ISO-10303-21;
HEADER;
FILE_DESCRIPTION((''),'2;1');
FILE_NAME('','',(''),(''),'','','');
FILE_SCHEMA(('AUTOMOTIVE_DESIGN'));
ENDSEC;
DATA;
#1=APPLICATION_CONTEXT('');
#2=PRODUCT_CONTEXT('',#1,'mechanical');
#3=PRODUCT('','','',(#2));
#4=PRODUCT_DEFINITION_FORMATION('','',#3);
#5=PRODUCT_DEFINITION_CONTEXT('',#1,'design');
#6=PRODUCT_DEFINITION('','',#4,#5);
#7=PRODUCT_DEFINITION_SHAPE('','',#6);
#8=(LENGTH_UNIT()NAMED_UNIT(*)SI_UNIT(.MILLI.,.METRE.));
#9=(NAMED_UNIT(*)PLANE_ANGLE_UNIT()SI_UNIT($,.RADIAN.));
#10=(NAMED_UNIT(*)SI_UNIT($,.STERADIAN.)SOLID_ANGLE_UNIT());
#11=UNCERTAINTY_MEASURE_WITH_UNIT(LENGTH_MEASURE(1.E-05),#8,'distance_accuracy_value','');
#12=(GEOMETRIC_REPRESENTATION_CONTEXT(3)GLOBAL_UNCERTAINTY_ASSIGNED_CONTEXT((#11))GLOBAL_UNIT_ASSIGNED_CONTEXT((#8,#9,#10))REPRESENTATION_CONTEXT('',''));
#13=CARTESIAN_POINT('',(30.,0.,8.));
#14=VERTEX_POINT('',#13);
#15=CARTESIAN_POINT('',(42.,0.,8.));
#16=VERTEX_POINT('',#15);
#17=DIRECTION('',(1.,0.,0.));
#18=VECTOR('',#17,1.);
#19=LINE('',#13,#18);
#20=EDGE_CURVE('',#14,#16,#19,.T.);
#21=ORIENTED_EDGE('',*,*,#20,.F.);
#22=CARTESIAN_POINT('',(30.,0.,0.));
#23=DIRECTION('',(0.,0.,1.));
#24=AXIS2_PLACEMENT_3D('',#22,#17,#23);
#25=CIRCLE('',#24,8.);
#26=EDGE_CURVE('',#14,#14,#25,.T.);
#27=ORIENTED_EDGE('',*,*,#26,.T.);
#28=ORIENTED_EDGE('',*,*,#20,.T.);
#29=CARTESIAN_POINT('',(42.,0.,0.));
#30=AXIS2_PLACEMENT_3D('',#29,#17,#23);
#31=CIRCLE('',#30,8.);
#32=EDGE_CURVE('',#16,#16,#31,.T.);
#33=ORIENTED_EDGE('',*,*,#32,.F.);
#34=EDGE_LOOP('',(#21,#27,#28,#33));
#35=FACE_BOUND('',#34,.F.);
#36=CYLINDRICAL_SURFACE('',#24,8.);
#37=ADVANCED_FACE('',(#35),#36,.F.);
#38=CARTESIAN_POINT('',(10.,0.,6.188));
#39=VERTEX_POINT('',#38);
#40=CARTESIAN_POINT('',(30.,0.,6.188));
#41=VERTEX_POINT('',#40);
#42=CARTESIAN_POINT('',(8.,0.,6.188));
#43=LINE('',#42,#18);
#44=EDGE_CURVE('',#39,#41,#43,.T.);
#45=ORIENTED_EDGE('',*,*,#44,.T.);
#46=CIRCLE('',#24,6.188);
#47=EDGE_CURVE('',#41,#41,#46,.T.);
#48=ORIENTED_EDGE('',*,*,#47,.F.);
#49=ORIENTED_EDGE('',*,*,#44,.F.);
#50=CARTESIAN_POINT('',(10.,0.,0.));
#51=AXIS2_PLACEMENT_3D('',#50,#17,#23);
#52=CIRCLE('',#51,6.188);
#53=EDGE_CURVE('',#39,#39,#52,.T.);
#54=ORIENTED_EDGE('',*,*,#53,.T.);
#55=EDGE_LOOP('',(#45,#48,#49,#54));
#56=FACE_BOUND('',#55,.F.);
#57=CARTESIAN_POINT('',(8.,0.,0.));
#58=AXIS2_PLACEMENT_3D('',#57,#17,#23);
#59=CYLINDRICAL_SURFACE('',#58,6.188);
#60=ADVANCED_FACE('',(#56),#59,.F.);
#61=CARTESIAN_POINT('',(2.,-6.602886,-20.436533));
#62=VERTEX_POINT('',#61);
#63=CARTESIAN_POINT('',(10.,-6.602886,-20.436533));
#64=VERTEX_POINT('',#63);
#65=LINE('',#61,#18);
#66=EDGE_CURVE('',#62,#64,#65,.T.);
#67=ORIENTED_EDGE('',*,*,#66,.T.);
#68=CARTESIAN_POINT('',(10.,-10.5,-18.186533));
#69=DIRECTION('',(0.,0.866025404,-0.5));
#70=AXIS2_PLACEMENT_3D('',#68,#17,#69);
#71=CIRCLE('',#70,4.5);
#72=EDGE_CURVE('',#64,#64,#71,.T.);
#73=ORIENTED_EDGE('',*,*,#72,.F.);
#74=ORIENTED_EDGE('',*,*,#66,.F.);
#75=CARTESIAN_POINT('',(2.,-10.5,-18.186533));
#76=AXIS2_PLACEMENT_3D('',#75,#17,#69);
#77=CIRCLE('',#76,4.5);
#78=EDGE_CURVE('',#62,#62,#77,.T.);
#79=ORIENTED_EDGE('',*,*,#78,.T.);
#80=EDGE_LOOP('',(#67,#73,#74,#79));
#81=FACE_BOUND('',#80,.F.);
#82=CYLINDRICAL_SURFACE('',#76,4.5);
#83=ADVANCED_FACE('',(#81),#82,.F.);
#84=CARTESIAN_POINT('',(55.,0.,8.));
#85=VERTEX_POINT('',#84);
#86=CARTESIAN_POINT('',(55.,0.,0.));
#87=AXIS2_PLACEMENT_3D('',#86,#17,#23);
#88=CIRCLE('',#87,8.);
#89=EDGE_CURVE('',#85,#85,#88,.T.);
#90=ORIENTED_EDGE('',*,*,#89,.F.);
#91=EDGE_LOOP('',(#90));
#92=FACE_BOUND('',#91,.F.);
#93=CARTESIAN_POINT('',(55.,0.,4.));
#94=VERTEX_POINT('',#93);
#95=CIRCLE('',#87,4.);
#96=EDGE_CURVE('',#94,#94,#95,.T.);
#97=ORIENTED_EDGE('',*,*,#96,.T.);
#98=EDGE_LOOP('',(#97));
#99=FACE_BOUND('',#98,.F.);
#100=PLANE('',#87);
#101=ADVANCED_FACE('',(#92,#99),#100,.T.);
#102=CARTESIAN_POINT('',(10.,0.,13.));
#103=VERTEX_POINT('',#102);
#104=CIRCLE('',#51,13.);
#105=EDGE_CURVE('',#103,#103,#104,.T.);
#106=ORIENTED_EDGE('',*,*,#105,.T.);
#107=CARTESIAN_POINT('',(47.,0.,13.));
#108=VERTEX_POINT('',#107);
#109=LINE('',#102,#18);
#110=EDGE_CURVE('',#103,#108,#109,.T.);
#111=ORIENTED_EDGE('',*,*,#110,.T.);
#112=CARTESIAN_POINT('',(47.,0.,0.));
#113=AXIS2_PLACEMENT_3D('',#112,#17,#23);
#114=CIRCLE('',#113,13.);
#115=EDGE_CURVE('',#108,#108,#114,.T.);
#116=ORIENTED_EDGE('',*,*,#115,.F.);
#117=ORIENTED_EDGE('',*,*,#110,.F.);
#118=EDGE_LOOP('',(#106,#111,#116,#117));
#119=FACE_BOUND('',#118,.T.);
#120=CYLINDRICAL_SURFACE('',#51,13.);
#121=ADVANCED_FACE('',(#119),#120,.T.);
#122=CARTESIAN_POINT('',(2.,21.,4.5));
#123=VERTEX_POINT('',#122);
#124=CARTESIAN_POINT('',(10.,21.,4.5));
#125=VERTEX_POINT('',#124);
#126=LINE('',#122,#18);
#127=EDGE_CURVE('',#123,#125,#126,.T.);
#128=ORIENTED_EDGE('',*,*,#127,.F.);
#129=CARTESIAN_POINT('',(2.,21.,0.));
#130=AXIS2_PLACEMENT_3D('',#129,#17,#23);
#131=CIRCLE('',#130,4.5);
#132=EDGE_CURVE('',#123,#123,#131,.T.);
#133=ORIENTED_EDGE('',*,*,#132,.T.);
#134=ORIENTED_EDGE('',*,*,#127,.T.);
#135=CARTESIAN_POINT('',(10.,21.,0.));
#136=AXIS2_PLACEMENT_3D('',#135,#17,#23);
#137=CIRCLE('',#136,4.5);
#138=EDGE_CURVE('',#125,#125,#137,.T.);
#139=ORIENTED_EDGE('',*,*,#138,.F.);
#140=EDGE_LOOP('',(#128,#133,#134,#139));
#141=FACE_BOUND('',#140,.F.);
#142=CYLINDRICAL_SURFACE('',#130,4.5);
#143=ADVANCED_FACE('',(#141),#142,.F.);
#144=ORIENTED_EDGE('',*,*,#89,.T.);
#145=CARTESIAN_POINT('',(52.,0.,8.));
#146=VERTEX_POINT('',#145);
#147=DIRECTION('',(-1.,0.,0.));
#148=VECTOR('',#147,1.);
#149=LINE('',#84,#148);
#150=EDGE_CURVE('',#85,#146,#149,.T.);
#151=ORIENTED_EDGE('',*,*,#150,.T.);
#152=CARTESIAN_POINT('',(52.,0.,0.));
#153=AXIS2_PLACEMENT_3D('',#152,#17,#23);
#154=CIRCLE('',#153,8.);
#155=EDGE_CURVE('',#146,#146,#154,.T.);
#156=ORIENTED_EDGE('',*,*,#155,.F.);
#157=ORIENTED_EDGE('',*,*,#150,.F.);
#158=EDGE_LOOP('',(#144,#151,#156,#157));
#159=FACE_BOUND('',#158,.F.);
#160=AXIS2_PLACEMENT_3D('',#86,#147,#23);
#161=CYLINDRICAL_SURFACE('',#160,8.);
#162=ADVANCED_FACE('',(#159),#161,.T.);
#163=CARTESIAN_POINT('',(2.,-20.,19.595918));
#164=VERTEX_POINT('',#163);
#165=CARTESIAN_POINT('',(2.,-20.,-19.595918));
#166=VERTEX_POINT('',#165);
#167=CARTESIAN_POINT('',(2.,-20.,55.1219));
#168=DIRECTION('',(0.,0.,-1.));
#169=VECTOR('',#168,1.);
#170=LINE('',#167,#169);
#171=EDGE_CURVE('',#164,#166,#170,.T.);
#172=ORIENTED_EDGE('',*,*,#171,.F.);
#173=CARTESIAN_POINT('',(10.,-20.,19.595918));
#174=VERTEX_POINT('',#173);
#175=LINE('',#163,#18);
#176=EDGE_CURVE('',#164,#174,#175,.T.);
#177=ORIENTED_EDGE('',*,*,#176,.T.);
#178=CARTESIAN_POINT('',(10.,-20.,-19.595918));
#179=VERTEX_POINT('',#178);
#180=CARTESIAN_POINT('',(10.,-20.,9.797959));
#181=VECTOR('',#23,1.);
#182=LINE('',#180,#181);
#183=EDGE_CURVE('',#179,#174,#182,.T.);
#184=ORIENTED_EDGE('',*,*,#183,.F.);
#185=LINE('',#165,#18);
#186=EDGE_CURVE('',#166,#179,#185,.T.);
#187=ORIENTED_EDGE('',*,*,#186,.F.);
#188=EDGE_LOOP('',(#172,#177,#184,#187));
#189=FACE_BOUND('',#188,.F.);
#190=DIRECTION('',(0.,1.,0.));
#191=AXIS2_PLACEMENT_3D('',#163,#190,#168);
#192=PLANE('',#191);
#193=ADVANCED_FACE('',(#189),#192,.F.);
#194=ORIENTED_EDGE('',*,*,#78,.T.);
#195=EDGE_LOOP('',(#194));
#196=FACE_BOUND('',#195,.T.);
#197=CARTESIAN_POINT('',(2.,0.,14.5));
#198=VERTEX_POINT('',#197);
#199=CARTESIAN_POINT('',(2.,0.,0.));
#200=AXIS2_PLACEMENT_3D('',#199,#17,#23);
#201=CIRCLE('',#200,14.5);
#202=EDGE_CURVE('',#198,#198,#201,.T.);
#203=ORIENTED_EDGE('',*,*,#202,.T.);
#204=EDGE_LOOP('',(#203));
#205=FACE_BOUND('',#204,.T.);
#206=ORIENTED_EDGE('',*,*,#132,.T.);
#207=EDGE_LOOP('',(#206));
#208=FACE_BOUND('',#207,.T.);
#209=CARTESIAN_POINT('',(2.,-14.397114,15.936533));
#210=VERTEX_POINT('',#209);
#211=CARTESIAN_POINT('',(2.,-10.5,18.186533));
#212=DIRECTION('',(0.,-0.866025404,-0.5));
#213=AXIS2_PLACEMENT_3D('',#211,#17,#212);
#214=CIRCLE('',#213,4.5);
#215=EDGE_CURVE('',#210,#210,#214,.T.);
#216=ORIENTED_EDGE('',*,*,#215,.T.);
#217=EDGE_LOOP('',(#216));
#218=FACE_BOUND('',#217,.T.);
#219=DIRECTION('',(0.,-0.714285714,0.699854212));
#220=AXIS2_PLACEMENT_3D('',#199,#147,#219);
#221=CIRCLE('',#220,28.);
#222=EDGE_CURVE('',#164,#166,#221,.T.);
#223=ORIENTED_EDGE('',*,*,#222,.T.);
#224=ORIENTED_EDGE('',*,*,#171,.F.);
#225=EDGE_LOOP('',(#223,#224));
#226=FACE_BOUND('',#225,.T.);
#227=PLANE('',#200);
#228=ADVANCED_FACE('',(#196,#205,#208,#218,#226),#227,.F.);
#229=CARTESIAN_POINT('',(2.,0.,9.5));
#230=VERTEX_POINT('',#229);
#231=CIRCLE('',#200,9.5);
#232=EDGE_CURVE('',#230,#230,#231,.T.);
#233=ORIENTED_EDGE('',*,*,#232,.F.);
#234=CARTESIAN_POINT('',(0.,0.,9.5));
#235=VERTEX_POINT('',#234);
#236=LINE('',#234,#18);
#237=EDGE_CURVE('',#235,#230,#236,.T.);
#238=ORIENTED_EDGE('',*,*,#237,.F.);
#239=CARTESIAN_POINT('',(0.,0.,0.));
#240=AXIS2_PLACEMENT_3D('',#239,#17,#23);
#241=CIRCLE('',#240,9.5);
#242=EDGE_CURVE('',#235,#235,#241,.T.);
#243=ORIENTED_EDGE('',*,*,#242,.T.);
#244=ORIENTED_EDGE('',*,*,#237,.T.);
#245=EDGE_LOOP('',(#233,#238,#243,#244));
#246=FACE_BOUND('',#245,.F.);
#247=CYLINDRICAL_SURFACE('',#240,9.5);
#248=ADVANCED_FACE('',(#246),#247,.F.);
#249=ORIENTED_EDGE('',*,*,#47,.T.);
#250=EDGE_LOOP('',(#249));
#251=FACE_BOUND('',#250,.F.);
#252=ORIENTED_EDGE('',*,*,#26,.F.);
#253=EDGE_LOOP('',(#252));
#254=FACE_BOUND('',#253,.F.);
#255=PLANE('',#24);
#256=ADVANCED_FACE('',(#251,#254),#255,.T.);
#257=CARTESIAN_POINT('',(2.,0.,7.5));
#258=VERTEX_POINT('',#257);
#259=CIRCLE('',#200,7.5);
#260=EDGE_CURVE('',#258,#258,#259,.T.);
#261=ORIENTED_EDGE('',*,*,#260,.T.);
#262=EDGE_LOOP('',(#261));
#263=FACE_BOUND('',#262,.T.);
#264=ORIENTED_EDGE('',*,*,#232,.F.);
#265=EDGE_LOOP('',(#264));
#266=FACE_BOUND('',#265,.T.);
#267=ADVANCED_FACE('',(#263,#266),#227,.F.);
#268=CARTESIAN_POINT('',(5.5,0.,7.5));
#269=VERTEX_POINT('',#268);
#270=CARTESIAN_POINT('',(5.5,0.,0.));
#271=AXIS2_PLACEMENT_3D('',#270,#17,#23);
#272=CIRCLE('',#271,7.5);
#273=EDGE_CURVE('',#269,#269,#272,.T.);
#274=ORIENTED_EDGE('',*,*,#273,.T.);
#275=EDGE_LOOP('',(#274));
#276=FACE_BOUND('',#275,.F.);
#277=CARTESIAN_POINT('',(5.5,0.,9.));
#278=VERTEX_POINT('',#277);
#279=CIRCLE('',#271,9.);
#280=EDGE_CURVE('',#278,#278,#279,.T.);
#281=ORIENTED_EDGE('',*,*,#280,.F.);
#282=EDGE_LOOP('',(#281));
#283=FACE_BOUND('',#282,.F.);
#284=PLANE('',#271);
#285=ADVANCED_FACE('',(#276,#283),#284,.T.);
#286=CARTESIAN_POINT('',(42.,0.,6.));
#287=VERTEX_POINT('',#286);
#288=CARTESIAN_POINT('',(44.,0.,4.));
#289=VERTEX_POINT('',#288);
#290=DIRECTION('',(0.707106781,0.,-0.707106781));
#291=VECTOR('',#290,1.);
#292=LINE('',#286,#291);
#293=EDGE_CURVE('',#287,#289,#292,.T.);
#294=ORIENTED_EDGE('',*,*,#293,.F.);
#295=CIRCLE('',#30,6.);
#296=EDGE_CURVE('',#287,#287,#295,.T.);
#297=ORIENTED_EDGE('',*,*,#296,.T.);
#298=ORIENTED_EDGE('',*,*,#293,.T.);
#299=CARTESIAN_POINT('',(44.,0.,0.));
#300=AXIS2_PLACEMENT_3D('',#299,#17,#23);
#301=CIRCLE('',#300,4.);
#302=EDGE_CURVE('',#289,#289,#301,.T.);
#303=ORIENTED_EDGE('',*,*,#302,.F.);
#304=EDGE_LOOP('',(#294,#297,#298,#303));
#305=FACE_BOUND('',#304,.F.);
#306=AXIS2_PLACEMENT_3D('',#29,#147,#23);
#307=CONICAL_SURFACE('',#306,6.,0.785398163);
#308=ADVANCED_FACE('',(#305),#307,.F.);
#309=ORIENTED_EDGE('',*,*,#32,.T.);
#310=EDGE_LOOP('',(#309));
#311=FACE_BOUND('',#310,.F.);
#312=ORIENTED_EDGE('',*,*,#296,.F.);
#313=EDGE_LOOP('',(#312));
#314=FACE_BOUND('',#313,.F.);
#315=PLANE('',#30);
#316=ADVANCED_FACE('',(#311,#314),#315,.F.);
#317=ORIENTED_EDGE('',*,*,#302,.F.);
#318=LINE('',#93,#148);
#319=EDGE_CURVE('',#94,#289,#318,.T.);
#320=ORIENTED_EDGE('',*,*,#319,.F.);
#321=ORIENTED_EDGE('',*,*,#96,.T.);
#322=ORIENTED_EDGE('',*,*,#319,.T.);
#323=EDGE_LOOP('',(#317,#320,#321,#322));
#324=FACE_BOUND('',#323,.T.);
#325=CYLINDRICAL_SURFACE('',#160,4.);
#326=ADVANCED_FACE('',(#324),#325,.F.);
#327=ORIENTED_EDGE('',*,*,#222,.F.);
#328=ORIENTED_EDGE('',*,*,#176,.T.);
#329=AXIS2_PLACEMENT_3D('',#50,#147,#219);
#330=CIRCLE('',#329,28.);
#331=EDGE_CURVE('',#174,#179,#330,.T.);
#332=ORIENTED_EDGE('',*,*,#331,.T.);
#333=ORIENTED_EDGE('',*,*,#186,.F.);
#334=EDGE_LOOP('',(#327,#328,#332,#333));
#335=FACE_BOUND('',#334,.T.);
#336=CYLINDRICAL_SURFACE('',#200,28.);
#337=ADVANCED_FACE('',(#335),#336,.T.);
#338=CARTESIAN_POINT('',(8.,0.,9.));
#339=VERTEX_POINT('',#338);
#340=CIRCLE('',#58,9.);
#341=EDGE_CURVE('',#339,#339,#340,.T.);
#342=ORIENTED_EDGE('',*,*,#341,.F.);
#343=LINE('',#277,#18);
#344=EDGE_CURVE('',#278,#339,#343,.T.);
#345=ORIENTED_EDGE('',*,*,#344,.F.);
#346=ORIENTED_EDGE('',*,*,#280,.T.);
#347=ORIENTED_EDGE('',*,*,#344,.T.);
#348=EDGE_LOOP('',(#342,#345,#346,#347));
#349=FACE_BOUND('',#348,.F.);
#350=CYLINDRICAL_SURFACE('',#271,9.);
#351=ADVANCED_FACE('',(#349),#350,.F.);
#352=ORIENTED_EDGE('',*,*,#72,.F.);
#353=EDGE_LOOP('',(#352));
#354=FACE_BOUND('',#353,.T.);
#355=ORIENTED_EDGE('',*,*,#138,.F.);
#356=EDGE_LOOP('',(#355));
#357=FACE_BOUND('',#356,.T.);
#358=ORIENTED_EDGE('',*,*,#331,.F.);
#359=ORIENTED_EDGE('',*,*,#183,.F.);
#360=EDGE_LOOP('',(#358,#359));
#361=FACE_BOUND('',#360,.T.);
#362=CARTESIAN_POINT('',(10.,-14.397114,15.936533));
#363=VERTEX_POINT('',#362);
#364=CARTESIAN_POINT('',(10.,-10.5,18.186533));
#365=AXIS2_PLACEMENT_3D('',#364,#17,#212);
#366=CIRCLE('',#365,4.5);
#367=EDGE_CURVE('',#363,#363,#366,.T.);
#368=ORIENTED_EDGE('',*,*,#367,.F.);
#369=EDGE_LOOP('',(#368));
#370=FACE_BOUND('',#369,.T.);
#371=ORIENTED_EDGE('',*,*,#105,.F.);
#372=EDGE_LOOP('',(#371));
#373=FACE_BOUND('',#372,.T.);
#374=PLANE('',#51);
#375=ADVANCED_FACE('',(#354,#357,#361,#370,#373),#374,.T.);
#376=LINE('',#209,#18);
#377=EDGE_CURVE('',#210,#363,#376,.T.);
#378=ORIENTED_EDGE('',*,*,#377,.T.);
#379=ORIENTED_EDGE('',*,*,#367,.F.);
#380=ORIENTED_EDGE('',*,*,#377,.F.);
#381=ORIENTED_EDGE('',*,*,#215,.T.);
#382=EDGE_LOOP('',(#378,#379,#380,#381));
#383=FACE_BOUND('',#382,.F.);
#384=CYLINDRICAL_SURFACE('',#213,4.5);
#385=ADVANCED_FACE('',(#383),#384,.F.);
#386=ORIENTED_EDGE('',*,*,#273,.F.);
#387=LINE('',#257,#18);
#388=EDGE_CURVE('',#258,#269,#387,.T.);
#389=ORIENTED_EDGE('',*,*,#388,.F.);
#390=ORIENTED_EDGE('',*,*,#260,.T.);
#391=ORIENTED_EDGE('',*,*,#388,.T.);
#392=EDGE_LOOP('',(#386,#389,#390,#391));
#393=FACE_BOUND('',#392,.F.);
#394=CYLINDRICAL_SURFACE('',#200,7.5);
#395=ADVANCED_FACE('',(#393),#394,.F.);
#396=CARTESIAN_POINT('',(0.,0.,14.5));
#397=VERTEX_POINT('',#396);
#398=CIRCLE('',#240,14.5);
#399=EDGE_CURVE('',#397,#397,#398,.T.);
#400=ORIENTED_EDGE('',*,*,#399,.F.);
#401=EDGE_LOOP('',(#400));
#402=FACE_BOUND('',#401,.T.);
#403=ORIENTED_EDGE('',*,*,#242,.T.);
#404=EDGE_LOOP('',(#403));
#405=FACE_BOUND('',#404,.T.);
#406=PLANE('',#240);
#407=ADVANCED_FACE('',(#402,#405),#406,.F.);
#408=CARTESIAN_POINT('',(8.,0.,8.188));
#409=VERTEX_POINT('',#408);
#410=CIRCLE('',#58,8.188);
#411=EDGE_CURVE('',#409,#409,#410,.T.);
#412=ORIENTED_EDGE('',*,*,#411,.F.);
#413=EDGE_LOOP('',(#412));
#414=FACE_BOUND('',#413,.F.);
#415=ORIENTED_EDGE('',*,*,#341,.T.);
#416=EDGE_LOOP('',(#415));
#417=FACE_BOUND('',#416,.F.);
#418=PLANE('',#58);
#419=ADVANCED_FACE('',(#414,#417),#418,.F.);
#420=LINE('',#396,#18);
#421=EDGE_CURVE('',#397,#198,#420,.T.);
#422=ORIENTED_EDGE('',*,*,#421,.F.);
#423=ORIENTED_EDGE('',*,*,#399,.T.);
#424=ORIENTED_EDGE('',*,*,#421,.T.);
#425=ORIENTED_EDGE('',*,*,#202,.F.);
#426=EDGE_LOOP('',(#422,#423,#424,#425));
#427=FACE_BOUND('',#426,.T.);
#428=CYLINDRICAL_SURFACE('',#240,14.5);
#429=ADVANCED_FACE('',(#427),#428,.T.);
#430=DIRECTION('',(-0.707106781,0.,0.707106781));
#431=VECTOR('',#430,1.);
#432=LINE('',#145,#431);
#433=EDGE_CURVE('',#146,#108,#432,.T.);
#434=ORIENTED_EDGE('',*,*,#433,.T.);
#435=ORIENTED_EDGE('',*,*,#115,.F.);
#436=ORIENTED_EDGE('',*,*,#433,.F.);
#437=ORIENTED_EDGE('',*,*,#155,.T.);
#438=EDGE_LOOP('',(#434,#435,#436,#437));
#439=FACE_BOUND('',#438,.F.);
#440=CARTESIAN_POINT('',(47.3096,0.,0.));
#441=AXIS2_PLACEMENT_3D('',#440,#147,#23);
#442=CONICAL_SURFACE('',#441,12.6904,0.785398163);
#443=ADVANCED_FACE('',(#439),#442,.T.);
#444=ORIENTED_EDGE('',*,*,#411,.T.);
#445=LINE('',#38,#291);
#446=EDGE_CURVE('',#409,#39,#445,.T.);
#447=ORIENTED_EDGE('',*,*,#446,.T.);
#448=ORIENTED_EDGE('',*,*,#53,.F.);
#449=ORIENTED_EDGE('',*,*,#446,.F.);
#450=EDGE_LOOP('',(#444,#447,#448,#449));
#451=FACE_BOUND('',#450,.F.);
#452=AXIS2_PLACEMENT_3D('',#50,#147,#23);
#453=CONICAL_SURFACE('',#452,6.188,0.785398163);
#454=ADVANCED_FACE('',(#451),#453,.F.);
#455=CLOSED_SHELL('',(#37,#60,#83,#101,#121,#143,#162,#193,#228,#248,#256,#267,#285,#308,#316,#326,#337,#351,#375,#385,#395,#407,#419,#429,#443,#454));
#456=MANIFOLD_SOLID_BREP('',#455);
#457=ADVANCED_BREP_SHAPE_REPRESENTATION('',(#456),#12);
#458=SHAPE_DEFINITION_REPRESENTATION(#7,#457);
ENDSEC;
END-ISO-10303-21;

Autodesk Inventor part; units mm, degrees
ref_plane "YZ Plane" through (0, 0, 0) normal (1, 0, 0) x (0, 1, 0)
ref_plane "XZ Plane" through (0, 0, 0) normal (0, 1, 0) x (-1, 0, 0)
ref_plane "XY Plane" through (0, 0, 0) normal (0, 0, 1) x (1, 0, 0)
sketch "Эскиз1" plane through (0, 0, 0) normal (0, 1, 0) x (-1, 0, 0)
  line L0 (0, 9.5) -> (0, 14.5)
  line L1 (0, 14.5) -> (-2, 14.5)
  line L2 (-2, 14.5) -> (-2, 28)
  line L3 (-55, 4) -> (-55, 8)
  line L4 (-55, 8) -> (-52, 8)
  line L5 (-10, 28) -> (-10, 13)
  line L6 (-10, 13) -> (-47, 13)
  line L7 (-2, 14.5) -> (-2, 28)
  line L8 (-2, 28) -> (-10, 28)
  line L9 (-52, 8) -> (-47.3096, 12.6904)
  line L10 (-47.3096, 12.6904) -> (-47, 13)
  line L11 (0, 0) -> (0, 9.5)
  line L12 (0, 9.5) -> (-2, 9.5)
  line L13 (-2, 7.5) -> (-2, 9.5)
  line L14 (-2, 7.5) -> (-5.5, 7.5)
  line L15 (-5.5, 7.5) -> (-5.5, 9)
  line L16 (-5.5, 9) -> (-8, 9)
  line L17 (0, 0) -> (0, 7)
  line L18 (-8, 9) -> (-8, 0)
  line L19 (-30, 0) -> (-30, 8)
  line L20 (-30, 8) -> (-42, 8)
  line L21 (-42, 8) -> (-42, 6)
  line L22 (-55, 4) -> (-44, 4)
  line L23 (-42, 6) -> (-44, 4)
  line L24 (0, 0) -> (-55, 0)
  line L25 (-8, 0) -> (-30, 0)
  point P0 (-42, 4)
  dimension "d26" = 30
  dimension "d27" = 12
  dimension "d28" = 2
  dimension "d29" = 2
  dimension "d30" = 55
  dimension "d31" = 8
  dimension "d32" = 16
  dimension "d33" = 26
  dimension "d34" = 16
  dimension "d35" = 12
  dimension "d36" = 42
  dimension "d37" = 18
  dimension "d38" = 8
  dimension "d39" = 2.5
  dimension "d40" = 29
  dimension "d41" = 19
  dimension "d42" = 15
  dimension "d43" = 2
  dimension "d44" = 55
  dimension "d45" = 3
  dimension "d46" = 135
  dimension "d47" = 45
  dimension "d48" = 56
  dimension "d49" = 2
revolve "Вращение1" add sketch "Эскиз1" angle 360 about axis through (0, 0, 0) along (1, 0, 0) contours L12 L13 L14 L15 L16 L18 L24 L19 L20 L21 L23 L22 L3 L4 L9 L10 L6 L5 L8 L2 L1 L0
sketch "Эскиз3" plane through (8, 0, 0) normal (-1, 0, 0) x (0, 0, 1)
  point P0 (0, 0)
  point P1 (0, 0)
hole "Отверстие2" at (8, 0, 0) direction (1, 0, 0) diameter 12.376 depth 30 thread size "M14x1.5" class "6H" standard "ISO Metric profile"
sketch "Эскиз4" plane through (2, 0, 0) normal (-1, 0, 0) x (0, 0, 1)
  circle A0 centre (0, 0) radius 21
  point P0 (0, 21)
  dimension "d65" = 42
chamfer "Фаска1" distance 2 angle 45 1 edges at (8, 0, -6.188)
sketch "Эскиз5" plane through (2, 0, 0) normal (-1, 0, 0) x (0, 0, 1)
  point P0 (0, 0)
hole "Отверстие4" at (2, 21, 0) direction (1, 0, 0) diameter 9 depth 30
pattern_circular "Круговой массив2" count 3 over 360 about axis through (1, 0, 0) along (-1, 0, 0) of "Отверстие4"
sketch "Эскиз6" plane through (2, 0, 0) normal (-1, 0, 0) x (0, 0, 1)
  circle A0 centre (0, 0) radius 28 projected
  line L0 (55.1219, -20) -> (-57.0995, -20)
  line L1 (55.1219, -20) -> (-57.0995, -20)
  line L2 (-57.0995, -20) -> (-57.0995, -35.8887)
  line L3 (-57.0995, -35.8887) -> (55.1219, -35.8887)
  line L4 (55.1219, -35.8887) -> (55.1219, -20)
  point P0 (0, 28)
  point P1 (19.5959, -20)
  point P2 (-19.5959, -20)
  dimension "d91" = 48
extrude "Выдавливание1" cut sketch "Эскиз6" against normal blind 10 contours L0 A0 picked at (4.9079, -21.2721)
equation "\"d29\" = d28"
